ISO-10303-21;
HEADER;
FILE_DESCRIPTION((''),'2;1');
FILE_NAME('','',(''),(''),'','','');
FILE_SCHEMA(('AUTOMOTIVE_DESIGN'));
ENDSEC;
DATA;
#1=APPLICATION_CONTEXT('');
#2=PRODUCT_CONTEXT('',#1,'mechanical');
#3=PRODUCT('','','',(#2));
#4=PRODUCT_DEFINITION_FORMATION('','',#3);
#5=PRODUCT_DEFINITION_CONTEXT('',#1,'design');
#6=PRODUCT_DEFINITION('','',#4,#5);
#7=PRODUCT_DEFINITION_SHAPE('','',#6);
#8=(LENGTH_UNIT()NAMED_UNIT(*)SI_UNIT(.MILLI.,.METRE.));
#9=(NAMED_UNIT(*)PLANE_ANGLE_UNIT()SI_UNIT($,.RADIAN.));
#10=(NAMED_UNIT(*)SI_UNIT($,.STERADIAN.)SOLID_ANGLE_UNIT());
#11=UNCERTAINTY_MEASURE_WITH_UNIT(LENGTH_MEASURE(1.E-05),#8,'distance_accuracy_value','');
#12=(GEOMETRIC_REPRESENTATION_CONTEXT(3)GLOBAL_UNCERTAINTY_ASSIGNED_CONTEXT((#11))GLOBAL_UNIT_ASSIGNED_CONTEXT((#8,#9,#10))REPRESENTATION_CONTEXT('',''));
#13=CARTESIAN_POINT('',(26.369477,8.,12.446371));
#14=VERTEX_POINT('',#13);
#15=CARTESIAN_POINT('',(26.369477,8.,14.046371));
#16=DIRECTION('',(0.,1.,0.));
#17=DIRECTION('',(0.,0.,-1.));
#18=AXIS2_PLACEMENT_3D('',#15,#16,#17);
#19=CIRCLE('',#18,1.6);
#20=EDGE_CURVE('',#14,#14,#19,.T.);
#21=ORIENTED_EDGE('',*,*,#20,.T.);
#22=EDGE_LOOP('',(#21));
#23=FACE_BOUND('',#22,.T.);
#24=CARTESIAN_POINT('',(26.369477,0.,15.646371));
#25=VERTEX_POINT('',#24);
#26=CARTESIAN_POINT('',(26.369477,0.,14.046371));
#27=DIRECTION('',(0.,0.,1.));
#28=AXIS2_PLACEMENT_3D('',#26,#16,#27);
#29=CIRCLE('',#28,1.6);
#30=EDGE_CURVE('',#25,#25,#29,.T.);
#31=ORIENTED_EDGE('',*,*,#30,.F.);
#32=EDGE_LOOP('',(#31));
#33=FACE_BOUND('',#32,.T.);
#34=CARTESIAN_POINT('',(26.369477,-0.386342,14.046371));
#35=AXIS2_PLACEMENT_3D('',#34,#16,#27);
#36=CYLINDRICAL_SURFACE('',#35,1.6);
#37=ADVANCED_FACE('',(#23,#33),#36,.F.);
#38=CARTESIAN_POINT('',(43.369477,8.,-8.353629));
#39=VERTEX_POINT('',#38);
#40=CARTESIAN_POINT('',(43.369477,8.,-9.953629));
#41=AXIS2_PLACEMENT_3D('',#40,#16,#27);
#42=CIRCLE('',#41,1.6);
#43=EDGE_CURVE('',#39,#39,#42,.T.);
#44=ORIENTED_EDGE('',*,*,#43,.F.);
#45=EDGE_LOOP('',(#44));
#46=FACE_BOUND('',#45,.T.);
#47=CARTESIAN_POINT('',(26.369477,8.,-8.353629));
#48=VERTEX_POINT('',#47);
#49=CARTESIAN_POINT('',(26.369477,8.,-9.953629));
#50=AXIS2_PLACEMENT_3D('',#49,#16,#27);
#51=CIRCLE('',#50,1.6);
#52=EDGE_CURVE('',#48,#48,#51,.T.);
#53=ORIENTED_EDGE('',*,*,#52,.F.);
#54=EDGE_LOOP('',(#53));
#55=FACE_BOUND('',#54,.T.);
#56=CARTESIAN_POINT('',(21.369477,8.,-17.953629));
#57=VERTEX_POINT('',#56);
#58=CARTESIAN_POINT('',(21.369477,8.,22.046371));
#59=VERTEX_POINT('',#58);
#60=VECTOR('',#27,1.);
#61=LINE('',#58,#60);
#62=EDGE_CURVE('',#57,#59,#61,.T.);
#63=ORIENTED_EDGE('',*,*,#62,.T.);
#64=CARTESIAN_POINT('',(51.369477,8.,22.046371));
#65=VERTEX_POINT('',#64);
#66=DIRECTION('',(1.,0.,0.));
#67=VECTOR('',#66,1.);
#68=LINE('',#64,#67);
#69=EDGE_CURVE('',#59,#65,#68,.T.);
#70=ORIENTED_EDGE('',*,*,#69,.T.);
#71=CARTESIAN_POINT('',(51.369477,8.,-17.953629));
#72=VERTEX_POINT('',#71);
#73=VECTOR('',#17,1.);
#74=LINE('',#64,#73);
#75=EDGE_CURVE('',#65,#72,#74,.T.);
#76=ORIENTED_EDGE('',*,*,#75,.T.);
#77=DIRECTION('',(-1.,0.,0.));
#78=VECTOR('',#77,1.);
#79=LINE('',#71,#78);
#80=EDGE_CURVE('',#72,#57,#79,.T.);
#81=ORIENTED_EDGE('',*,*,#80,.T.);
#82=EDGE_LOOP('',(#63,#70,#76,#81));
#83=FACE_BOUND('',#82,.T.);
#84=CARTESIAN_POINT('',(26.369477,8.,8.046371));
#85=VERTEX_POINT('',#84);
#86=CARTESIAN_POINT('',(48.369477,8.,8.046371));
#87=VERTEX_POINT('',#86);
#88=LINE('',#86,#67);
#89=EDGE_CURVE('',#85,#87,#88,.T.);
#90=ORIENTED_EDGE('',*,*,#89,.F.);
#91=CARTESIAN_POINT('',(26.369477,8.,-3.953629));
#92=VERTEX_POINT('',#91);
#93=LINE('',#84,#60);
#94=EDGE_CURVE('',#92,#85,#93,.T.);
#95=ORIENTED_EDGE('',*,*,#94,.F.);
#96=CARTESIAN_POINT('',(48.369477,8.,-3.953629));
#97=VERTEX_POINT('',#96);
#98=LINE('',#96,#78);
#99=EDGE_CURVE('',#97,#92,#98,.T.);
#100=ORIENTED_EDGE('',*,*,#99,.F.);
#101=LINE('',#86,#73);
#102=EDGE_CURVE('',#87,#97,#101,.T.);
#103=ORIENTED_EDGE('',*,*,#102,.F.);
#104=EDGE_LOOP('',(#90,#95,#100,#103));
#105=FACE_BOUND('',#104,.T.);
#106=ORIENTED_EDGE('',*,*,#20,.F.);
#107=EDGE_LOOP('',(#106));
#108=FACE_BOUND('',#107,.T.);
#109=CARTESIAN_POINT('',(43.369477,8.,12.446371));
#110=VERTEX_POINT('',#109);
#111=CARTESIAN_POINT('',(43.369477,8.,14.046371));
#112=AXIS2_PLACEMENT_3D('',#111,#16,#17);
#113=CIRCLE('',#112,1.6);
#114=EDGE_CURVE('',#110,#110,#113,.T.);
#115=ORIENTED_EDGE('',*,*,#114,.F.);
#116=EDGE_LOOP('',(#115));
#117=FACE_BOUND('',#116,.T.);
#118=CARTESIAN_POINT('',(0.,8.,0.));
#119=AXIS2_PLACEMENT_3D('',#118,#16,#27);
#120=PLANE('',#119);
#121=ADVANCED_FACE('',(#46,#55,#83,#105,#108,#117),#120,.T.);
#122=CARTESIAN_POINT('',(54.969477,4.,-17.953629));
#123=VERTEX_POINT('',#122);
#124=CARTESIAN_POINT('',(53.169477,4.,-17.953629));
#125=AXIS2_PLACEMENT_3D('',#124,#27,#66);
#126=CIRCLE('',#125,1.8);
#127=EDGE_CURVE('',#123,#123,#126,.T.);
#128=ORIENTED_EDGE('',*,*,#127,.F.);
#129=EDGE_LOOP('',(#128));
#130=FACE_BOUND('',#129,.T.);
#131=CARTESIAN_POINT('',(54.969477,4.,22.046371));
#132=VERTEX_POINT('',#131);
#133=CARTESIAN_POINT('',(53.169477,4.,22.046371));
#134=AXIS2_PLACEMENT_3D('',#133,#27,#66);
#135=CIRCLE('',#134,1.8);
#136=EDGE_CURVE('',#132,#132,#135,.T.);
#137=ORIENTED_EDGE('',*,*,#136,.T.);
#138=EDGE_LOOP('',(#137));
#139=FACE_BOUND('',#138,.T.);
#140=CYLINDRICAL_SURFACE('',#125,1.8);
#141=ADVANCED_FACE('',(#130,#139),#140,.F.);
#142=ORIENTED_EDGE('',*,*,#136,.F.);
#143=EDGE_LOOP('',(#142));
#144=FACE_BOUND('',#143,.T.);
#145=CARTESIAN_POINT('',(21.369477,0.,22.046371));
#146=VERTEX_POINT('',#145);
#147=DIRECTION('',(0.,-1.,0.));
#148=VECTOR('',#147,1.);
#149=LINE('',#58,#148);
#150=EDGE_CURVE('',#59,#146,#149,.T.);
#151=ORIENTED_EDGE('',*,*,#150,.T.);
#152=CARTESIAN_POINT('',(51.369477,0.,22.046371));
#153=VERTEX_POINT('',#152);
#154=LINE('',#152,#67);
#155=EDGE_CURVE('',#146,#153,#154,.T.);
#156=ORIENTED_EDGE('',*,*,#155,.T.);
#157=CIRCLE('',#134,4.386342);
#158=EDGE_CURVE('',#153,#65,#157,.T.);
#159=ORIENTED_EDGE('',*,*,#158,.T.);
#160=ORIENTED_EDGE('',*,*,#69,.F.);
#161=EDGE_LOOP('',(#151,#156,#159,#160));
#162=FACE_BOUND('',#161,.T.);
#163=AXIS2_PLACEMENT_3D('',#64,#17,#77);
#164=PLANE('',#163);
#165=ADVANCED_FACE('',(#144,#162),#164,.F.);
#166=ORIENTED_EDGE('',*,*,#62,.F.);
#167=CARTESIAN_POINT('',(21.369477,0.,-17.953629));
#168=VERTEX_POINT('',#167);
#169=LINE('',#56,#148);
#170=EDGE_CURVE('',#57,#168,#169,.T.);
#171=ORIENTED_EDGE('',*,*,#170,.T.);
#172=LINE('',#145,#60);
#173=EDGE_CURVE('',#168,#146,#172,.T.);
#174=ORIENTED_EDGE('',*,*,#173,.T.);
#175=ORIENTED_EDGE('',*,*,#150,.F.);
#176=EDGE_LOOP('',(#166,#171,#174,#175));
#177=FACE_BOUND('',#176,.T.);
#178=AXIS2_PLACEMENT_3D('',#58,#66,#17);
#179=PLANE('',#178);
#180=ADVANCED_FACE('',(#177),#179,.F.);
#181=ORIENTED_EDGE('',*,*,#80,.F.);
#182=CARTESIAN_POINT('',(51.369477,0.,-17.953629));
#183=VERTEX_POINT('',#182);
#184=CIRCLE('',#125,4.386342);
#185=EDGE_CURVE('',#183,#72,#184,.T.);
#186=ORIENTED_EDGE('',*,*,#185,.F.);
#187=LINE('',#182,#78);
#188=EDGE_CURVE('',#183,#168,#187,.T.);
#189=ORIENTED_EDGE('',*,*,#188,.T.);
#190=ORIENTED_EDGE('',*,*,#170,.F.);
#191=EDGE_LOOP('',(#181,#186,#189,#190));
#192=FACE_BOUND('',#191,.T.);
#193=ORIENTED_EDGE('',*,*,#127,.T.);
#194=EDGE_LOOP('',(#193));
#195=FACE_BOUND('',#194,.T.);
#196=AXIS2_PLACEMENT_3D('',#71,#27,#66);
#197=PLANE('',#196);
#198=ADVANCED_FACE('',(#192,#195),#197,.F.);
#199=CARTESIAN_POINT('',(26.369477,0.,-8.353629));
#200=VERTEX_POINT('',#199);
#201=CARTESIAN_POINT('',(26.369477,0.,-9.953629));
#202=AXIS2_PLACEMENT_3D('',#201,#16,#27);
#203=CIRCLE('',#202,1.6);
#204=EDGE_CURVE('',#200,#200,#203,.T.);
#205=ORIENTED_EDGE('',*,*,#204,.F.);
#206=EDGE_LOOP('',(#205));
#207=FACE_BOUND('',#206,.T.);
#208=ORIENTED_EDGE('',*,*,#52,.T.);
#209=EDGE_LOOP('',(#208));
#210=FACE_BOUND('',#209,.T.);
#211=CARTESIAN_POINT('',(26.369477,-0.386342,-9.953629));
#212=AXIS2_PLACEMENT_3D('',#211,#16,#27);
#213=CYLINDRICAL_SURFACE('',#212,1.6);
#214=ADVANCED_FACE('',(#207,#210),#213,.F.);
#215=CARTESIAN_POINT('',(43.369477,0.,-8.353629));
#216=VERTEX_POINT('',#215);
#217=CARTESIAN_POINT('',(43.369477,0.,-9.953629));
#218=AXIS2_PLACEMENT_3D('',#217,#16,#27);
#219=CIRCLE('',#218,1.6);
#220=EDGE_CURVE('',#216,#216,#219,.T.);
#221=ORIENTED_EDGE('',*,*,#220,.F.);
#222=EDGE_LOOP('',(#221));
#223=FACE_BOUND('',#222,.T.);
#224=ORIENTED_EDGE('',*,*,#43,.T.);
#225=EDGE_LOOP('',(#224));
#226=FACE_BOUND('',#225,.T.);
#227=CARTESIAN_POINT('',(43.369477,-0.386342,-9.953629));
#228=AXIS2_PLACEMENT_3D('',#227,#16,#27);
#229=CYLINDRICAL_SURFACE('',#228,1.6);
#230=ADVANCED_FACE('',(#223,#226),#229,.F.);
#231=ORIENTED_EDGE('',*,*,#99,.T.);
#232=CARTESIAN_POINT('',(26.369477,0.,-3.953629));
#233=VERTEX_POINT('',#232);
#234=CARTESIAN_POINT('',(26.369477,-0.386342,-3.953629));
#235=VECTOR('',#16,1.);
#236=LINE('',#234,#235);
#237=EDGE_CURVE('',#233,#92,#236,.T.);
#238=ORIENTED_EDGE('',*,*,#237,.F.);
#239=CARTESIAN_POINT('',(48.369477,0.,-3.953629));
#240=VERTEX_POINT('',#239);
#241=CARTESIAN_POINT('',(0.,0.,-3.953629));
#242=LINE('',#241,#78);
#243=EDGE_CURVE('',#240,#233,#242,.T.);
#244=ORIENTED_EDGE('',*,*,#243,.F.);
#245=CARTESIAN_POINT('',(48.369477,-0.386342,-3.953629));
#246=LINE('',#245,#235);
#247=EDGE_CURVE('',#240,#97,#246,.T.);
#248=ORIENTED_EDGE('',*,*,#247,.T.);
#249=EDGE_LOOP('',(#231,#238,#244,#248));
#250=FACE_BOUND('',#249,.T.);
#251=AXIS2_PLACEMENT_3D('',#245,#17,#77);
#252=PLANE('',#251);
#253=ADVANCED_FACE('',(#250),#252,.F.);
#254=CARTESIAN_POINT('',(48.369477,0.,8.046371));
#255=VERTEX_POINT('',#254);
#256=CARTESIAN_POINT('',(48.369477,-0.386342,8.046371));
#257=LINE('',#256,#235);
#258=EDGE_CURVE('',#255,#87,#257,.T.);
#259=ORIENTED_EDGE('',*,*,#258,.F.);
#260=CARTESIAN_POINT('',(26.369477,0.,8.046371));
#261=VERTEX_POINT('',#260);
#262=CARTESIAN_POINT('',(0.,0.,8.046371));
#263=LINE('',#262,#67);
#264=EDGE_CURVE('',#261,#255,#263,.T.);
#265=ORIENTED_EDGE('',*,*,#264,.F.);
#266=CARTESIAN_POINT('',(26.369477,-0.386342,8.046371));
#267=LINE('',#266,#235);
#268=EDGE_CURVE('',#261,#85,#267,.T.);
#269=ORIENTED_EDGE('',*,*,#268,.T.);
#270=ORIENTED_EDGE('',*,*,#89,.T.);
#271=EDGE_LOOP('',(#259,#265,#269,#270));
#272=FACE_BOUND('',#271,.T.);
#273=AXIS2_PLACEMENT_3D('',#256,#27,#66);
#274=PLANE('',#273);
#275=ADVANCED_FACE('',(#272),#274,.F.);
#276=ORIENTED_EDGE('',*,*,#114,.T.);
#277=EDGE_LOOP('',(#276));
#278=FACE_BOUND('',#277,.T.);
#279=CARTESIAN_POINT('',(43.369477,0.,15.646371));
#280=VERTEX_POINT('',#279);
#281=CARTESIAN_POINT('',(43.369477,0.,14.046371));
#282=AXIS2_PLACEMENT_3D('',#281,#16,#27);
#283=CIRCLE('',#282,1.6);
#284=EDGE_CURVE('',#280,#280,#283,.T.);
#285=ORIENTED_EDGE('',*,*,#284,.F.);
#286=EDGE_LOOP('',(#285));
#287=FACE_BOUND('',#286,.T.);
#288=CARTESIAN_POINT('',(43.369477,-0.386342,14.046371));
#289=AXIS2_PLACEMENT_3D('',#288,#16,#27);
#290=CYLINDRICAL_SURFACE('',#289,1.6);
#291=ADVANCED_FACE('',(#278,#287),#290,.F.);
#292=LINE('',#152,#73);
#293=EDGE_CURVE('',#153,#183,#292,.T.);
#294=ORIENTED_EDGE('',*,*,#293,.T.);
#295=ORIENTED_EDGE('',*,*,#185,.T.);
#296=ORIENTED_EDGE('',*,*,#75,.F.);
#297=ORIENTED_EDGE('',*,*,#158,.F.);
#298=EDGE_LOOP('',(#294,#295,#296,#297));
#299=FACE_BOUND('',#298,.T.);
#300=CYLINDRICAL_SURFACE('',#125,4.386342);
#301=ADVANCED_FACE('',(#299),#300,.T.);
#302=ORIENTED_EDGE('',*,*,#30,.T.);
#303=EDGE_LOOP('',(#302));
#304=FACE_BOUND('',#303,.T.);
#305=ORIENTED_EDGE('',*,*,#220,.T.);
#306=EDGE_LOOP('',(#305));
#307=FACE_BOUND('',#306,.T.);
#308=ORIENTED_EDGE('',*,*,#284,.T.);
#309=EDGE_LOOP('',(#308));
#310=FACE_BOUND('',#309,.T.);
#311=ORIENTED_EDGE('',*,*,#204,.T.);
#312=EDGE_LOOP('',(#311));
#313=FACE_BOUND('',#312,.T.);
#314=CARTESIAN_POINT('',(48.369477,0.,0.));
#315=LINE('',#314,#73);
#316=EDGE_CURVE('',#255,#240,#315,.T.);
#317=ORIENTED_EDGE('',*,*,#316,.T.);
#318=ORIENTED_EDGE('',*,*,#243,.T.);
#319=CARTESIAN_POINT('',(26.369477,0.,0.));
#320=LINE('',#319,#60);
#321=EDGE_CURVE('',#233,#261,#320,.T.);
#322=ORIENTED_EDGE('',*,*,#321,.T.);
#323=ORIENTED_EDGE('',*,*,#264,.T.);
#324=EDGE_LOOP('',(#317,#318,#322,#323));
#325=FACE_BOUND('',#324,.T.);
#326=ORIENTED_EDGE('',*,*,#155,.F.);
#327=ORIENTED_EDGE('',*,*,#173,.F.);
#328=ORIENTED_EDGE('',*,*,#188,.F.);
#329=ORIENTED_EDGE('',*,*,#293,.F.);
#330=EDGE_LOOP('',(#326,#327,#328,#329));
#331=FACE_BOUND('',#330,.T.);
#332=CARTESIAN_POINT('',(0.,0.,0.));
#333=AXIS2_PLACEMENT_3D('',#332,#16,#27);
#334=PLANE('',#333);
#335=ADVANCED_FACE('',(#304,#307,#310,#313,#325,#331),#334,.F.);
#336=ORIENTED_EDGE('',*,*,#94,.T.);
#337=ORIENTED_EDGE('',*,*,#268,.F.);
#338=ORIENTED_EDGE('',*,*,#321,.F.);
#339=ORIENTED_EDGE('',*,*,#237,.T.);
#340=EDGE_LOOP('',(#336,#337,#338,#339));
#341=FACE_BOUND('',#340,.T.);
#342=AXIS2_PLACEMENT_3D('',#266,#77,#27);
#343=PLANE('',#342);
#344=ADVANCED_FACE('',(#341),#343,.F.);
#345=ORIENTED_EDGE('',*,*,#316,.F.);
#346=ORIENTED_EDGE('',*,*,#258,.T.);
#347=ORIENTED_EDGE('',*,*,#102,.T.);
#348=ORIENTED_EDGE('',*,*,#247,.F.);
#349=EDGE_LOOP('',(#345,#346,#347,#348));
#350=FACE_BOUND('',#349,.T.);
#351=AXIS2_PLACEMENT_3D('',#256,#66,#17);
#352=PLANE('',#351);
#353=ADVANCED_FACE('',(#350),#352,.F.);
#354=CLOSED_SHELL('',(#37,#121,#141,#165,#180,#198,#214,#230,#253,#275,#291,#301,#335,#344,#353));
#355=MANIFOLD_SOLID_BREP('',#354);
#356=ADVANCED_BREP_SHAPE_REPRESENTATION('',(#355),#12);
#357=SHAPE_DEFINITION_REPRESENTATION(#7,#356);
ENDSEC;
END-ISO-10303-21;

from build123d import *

# Parameters (mm, degrees)
SKETCH_1_W          = 30
SKETCH_1_H          = 40
EXTRUDE_1_DEPTH     = 8
SKETCH_2_R          = 4.38634244
SKETCH_2_R_2        = 1.8
EXTRUDE_2_DEPTH     = 40
SKETCH_3_R          = 1.6
CUT_EXTRUDE_1_DEPTH = 9.38634244
SKETCH_4_W          = 22
SKETCH_4_H          = 12
CUT_EXTRUDE_2_DEPTH = 9.38634244


with BuildPart() as part:
    # 草图1 → 凸台-拉伸1 (new body)
    with BuildSketch(Plane(origin=(0, 0, 0), x_dir=(1, 0, 0), z_dir=(0, 1, 0))):
        with Locations((36.36947716, -2.04637122)):
            Rectangle(SKETCH_1_W, SKETCH_1_H)
    extrude(amount=EXTRUDE_1_DEPTH)

    # 草图2 → 凸台-拉伸2 (add)
    with BuildSketch(Plane.XY.offset(22.04637122)):
        with Locations((53.16947716, 4)):
            Circle(SKETCH_2_R)
        with Locations((53.16947716, 4)):
            Circle(SKETCH_2_R_2, mode=Mode.SUBTRACT)
    extrude(amount=-EXTRUDE_2_DEPTH)

    # 草图3 → 切除-拉伸1 (cut, through all)
    with BuildSketch(Plane(origin=(0, 8, 0), x_dir=(1, 0, 0), z_dir=(0, 1, 0))):
        with Locations((26.36947716, 9.95362878)):
            Circle(SKETCH_3_R)
        with Locations((43.36947716, 9.95362878)):
            Circle(SKETCH_3_R)
        with Locations((43.36947716, -14.04637122)):
            Circle(SKETCH_3_R)
        with Locations((26.36947716, -14.04637122)):
            Circle(SKETCH_3_R)
    extrude(amount=-CUT_EXTRUDE_1_DEPTH, mode=Mode.SUBTRACT)

    # 草图4 → 切除-拉伸2 (cut, through all)
    with BuildSketch(Plane(origin=(0, 8, 0), x_dir=(1, 0, 0), z_dir=(0, 1, 0))):
        with Locations((37.36947716, -2.04637122)):
            Rectangle(SKETCH_4_W, SKETCH_4_H)
    extrude(amount=-CUT_EXTRUDE_2_DEPTH, mode=Mode.SUBTRACT)


solid = part.part
